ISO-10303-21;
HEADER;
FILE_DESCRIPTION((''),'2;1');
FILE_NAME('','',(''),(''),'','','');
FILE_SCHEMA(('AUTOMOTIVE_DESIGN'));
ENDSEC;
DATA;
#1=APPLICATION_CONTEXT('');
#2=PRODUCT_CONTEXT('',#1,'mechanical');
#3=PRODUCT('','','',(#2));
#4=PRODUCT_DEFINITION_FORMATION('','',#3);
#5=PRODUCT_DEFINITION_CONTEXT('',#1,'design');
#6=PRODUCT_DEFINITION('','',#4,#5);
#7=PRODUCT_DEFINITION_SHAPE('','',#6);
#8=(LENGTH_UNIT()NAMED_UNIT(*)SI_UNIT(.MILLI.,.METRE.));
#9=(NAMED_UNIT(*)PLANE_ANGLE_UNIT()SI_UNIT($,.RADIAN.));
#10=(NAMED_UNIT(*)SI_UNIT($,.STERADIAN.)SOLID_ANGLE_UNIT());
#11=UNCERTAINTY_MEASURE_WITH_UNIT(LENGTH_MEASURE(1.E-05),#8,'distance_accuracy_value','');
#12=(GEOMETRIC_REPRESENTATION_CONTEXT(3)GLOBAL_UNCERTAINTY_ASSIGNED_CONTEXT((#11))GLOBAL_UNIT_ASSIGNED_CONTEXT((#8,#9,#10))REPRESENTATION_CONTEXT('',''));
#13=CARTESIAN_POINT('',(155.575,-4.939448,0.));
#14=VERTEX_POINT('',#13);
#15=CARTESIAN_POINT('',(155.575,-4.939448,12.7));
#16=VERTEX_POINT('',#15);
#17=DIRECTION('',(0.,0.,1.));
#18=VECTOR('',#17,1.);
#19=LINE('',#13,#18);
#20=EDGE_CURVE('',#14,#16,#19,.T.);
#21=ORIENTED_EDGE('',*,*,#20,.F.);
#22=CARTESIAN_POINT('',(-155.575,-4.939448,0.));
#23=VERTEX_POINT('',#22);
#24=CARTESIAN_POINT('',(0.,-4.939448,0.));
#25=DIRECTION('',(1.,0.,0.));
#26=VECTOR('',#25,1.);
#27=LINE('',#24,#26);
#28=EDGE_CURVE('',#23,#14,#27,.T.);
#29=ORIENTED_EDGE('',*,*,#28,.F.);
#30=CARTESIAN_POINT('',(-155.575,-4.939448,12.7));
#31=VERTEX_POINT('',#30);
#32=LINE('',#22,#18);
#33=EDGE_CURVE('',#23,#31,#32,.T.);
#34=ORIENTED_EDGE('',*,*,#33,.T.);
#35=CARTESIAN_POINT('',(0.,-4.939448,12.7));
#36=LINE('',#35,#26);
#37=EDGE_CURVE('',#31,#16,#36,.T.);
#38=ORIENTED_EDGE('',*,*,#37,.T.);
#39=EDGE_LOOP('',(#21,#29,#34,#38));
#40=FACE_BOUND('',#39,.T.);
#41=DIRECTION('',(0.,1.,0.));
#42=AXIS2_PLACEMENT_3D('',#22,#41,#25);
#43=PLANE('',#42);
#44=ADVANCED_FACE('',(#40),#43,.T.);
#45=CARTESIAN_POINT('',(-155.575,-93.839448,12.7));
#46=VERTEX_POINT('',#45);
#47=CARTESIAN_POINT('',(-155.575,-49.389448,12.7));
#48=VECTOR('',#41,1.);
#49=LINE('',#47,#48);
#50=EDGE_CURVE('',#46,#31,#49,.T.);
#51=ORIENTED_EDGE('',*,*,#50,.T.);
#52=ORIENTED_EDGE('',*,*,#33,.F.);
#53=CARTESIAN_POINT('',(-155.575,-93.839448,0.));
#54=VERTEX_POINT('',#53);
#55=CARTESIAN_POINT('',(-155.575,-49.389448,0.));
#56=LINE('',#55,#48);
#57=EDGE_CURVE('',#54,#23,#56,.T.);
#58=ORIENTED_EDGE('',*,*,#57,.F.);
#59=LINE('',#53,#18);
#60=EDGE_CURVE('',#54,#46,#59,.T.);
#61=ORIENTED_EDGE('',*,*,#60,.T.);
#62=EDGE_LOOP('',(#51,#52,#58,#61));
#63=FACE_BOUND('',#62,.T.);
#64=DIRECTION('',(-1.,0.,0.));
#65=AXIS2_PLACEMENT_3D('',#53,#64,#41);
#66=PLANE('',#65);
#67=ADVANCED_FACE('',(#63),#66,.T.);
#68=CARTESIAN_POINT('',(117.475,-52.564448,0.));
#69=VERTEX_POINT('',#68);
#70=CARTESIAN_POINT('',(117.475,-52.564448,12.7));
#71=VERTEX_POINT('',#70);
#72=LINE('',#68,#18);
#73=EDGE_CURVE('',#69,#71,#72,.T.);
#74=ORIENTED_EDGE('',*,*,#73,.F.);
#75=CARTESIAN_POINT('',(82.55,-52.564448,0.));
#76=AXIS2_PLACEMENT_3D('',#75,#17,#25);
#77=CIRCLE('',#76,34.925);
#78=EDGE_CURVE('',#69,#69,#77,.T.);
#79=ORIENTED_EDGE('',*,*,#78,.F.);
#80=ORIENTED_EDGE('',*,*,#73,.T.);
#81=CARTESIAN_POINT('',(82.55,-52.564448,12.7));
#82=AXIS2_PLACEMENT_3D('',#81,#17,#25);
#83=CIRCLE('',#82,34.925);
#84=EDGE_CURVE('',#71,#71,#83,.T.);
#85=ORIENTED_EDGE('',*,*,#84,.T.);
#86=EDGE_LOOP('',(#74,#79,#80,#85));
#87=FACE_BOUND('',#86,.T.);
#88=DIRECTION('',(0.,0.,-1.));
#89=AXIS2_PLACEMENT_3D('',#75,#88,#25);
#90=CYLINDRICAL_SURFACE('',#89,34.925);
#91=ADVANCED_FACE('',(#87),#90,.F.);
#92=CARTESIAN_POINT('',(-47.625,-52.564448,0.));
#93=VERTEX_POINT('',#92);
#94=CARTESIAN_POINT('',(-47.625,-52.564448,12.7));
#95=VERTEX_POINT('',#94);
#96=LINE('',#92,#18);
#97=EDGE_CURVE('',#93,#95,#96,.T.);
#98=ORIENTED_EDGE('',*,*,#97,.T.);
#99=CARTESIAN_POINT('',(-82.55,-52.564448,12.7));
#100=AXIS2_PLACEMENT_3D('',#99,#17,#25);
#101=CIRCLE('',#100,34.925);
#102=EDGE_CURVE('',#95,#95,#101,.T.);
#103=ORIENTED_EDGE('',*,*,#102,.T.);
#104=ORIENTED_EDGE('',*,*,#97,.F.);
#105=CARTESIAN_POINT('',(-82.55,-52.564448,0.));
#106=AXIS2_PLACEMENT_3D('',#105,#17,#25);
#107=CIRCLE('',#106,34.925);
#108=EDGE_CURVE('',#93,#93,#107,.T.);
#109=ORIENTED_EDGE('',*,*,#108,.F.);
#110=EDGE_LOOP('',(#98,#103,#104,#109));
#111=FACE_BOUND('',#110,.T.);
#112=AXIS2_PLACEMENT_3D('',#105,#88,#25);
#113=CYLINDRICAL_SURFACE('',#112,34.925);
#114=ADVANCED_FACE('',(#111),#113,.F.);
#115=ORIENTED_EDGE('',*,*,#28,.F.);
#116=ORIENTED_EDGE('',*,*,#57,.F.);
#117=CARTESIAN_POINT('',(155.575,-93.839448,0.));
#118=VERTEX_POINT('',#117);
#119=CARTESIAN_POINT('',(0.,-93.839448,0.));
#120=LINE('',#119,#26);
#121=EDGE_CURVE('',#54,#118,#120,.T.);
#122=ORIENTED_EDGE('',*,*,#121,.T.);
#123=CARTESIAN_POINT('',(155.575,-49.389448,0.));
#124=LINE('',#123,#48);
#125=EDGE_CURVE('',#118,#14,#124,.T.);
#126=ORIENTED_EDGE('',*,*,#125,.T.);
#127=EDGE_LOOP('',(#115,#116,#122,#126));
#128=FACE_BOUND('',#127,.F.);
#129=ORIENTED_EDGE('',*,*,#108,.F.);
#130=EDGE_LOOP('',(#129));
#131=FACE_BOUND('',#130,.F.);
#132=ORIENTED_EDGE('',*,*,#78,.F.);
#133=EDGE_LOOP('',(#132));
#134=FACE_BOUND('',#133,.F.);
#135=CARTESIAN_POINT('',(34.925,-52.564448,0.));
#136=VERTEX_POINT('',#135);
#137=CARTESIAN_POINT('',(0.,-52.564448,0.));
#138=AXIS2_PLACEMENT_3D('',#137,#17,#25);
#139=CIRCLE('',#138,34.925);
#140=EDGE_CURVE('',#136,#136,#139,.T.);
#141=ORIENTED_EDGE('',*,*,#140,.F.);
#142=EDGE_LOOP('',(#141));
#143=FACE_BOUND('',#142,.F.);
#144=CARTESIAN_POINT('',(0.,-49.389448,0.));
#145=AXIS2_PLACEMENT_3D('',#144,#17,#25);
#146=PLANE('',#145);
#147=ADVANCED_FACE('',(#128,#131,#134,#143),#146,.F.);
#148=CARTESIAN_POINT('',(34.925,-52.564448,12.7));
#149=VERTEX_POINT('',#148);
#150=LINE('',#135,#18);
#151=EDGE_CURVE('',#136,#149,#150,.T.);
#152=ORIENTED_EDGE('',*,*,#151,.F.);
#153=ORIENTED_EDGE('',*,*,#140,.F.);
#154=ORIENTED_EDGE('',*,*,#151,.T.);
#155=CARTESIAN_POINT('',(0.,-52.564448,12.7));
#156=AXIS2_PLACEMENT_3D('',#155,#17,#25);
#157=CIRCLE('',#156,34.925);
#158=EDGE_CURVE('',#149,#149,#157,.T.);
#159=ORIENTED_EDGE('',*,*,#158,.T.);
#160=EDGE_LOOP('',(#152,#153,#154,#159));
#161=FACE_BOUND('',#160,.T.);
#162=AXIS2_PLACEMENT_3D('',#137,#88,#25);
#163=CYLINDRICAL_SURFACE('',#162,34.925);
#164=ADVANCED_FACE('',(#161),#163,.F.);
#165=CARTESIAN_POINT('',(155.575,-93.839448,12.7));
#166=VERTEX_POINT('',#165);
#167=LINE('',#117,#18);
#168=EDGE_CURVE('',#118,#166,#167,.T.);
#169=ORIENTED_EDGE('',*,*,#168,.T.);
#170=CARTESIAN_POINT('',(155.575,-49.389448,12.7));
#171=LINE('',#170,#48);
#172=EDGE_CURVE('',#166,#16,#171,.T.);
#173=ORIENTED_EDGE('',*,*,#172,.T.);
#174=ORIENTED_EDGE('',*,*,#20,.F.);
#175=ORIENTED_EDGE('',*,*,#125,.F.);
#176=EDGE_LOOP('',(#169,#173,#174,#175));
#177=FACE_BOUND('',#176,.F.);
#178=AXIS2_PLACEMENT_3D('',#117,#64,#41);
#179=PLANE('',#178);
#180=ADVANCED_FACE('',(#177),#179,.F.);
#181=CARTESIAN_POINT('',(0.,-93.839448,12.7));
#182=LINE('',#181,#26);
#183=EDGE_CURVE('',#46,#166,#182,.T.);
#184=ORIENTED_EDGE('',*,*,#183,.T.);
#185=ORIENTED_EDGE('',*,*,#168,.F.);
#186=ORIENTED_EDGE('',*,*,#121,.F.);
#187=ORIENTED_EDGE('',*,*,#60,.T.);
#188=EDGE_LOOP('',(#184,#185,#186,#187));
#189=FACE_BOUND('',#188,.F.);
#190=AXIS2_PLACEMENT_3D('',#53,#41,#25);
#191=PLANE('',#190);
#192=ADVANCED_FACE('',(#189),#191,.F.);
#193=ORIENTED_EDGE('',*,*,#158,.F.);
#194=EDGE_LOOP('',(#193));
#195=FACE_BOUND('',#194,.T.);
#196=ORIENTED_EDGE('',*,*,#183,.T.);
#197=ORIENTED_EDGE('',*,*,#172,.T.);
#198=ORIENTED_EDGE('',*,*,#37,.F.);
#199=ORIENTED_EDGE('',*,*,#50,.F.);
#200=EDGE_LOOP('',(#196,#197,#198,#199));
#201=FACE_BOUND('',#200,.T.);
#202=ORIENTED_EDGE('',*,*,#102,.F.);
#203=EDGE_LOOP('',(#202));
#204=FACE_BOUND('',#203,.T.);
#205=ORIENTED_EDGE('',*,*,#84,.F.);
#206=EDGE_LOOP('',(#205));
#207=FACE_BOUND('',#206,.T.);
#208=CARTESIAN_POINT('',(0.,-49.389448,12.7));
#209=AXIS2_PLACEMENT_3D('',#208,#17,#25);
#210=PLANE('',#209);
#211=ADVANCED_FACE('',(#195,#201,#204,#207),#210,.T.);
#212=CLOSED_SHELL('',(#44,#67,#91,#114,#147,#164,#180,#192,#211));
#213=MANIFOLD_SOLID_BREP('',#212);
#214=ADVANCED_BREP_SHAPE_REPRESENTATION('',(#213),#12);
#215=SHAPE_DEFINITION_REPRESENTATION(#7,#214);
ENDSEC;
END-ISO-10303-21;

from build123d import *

# Parameters (mm, degrees)
F0_W     = 311.15
F0_H     = 88.9
F0_R     = 34.925
F1_DEPTH = 12.7


with BuildPart() as f1:
    # F0 (on Top) → F1 (new body)
    with BuildSketch(Plane.XY):
        with Locations((0, -49.389448)):
            Rectangle(F0_W, F0_H)
        with Locations((-82.55, -52.564448)):
            Circle(F0_R, mode=Mode.SUBTRACT)
        with Locations((0, -52.564448)):
            Circle(F0_R, mode=Mode.SUBTRACT)
        with Locations((82.55, -52.564448)):
            Circle(F0_R, mode=Mode.SUBTRACT)
    extrude(amount=F1_DEPTH)


solid = f1.part
